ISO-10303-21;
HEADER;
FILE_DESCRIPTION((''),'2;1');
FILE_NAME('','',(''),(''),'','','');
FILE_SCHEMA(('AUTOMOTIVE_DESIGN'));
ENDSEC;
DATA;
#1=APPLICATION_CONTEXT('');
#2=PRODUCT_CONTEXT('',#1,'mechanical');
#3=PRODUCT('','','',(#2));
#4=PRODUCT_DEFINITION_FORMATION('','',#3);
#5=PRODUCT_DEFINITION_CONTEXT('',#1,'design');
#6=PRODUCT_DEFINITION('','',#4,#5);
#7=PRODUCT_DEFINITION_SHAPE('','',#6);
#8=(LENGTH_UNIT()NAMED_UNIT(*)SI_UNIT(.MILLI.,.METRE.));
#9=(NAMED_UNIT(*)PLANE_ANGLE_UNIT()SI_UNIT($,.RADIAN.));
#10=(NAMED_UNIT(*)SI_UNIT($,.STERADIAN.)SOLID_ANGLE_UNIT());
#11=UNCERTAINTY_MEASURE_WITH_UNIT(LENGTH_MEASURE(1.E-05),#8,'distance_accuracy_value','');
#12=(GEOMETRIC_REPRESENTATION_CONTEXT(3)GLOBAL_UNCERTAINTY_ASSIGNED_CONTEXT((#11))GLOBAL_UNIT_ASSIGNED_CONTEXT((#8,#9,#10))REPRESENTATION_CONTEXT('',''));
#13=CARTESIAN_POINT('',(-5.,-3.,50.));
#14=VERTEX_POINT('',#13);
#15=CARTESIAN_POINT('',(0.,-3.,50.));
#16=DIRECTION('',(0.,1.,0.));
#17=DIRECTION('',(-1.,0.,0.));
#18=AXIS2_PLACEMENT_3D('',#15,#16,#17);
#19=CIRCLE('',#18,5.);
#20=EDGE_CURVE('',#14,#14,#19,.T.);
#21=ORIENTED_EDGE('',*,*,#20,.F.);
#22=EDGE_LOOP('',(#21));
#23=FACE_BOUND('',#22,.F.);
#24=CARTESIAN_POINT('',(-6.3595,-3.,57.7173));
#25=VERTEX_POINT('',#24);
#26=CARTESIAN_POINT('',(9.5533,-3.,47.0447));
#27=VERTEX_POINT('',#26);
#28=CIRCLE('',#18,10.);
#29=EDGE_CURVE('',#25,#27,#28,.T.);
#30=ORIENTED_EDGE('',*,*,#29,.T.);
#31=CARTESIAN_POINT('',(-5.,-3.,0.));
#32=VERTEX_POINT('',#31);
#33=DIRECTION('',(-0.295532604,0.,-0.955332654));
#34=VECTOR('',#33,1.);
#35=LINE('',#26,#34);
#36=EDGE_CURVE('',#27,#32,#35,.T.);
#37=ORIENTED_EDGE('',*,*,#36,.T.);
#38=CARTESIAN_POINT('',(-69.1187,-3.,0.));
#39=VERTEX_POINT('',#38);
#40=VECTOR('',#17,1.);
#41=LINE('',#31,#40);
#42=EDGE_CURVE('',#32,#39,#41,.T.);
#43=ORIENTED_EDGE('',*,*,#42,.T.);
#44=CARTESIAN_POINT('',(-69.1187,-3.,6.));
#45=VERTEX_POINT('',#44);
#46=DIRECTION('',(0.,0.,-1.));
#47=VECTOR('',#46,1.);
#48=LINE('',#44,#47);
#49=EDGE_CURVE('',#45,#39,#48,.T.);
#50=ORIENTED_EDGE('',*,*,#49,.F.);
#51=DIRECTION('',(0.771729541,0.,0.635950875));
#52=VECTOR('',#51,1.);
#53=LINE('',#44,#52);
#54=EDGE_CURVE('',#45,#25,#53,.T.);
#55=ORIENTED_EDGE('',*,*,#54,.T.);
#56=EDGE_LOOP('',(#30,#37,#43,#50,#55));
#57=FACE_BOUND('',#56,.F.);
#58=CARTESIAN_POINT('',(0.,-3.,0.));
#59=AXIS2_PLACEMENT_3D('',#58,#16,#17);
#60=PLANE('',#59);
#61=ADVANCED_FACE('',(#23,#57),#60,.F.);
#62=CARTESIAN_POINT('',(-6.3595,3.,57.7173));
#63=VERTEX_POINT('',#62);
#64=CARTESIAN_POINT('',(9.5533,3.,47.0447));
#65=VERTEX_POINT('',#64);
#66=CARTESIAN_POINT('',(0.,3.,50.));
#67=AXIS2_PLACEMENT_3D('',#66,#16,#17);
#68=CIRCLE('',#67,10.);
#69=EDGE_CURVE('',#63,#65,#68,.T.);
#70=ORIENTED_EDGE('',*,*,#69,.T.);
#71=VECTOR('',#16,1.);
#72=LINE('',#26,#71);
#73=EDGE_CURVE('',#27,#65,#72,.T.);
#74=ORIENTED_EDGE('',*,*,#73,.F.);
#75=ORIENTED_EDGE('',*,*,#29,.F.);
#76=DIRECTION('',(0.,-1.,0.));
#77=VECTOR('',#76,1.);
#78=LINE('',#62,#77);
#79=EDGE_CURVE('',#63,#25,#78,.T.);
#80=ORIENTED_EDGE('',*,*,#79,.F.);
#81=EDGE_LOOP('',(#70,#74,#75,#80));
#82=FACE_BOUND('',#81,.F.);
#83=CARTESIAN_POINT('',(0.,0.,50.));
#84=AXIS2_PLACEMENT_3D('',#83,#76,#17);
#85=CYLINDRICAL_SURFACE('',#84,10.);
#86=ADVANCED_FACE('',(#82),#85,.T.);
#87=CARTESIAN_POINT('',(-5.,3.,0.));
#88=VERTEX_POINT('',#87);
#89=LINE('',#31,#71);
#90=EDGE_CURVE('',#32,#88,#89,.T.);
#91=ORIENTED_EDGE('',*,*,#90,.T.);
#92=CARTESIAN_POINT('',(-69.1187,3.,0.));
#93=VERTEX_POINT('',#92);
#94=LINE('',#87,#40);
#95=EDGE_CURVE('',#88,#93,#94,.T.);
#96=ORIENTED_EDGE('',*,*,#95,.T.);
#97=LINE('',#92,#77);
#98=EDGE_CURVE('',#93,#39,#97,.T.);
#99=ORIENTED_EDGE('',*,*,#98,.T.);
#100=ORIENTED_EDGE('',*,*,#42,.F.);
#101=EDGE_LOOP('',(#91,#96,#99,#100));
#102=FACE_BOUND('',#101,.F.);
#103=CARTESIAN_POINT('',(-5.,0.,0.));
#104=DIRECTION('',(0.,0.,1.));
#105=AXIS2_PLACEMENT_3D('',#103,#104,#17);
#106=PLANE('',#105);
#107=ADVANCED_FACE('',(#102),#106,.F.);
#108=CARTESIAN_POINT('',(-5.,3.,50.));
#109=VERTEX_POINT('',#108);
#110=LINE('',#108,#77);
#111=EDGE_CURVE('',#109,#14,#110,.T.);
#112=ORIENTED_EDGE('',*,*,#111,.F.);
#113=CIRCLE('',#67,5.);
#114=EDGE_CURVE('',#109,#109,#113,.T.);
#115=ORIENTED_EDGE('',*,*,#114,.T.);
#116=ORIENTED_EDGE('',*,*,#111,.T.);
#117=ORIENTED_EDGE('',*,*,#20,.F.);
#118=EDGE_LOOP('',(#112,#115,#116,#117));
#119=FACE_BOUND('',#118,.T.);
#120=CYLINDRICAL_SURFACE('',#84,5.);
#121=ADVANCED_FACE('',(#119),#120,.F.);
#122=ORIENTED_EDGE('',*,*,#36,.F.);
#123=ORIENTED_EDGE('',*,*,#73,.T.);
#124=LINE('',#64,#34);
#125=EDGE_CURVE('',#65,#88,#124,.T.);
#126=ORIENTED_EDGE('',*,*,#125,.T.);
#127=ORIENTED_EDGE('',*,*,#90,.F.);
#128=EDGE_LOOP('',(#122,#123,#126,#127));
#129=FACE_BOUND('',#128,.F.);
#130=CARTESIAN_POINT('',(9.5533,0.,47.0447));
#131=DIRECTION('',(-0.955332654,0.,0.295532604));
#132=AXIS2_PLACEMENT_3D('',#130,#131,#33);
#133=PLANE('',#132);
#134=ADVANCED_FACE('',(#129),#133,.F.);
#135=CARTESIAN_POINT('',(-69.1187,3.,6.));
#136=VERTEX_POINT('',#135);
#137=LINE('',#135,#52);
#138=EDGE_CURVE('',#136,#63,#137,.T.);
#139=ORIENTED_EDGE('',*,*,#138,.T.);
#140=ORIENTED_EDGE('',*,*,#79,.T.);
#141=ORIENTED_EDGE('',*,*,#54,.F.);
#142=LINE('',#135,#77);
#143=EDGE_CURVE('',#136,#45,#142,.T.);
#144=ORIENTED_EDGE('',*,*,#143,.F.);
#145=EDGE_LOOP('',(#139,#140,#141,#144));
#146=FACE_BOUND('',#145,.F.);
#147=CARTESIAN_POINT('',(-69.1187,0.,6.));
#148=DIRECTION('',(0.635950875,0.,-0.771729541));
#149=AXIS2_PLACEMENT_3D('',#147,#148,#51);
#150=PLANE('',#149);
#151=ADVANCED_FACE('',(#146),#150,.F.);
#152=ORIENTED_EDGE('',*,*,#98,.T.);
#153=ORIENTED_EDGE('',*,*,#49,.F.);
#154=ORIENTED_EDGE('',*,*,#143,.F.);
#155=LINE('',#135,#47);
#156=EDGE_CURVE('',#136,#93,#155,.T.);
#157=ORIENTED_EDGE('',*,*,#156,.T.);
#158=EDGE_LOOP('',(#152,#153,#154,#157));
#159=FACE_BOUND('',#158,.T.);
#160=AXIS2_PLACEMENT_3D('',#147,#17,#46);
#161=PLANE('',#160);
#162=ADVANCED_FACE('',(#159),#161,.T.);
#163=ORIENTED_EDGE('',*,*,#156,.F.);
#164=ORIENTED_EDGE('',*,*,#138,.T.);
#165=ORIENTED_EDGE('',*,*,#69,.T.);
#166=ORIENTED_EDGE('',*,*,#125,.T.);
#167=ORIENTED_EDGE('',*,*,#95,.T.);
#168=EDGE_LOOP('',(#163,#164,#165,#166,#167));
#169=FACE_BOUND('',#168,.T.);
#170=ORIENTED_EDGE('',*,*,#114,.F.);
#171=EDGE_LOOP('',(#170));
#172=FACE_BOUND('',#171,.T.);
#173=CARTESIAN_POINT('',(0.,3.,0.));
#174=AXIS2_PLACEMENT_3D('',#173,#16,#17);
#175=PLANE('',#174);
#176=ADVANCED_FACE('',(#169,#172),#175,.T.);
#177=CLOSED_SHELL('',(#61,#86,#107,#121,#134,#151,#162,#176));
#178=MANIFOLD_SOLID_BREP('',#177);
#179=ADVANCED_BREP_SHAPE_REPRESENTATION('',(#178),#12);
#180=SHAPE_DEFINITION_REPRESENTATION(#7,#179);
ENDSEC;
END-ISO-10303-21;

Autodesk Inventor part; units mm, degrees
ref_plane "YZ Plane" through (0, 0, 0) normal (1, 0, 0) x (0, 1, 0)
ref_plane "XZ Plane" through (0, 0, 0) normal (0, 1, 0) x (-1, 0, 0)
ref_plane "XY Plane" through (0, 0, 0) normal (0, 0, 1) x (1, 0, 0)
sketch "Sketch1" plane through (0, 0, 0) normal (0, 1, 0) x (-1, 0, 0)
  circle A0 centre (0, 50) radius 5
  circle A1 centre (0, 50) radius 10
  line L0 (-9.5533, 47.0447) -> (5, 0)
  line L1 (5, 0) -> (69.1187, 0)
  line L2 (69.1187, 6) -> (69.1187, 0) projected
  line L3 (69.1187, 6) -> (6.3595, 57.7173)
  point P0 (0, 0)
  dimension "d0" = 10
  dimension "d1" = 50
  dimension "d2" = 20
extrude "Extrusion1" add sketch "Sketch1" along normal mid plane 6
properties part number "Soporte resorte freno"
